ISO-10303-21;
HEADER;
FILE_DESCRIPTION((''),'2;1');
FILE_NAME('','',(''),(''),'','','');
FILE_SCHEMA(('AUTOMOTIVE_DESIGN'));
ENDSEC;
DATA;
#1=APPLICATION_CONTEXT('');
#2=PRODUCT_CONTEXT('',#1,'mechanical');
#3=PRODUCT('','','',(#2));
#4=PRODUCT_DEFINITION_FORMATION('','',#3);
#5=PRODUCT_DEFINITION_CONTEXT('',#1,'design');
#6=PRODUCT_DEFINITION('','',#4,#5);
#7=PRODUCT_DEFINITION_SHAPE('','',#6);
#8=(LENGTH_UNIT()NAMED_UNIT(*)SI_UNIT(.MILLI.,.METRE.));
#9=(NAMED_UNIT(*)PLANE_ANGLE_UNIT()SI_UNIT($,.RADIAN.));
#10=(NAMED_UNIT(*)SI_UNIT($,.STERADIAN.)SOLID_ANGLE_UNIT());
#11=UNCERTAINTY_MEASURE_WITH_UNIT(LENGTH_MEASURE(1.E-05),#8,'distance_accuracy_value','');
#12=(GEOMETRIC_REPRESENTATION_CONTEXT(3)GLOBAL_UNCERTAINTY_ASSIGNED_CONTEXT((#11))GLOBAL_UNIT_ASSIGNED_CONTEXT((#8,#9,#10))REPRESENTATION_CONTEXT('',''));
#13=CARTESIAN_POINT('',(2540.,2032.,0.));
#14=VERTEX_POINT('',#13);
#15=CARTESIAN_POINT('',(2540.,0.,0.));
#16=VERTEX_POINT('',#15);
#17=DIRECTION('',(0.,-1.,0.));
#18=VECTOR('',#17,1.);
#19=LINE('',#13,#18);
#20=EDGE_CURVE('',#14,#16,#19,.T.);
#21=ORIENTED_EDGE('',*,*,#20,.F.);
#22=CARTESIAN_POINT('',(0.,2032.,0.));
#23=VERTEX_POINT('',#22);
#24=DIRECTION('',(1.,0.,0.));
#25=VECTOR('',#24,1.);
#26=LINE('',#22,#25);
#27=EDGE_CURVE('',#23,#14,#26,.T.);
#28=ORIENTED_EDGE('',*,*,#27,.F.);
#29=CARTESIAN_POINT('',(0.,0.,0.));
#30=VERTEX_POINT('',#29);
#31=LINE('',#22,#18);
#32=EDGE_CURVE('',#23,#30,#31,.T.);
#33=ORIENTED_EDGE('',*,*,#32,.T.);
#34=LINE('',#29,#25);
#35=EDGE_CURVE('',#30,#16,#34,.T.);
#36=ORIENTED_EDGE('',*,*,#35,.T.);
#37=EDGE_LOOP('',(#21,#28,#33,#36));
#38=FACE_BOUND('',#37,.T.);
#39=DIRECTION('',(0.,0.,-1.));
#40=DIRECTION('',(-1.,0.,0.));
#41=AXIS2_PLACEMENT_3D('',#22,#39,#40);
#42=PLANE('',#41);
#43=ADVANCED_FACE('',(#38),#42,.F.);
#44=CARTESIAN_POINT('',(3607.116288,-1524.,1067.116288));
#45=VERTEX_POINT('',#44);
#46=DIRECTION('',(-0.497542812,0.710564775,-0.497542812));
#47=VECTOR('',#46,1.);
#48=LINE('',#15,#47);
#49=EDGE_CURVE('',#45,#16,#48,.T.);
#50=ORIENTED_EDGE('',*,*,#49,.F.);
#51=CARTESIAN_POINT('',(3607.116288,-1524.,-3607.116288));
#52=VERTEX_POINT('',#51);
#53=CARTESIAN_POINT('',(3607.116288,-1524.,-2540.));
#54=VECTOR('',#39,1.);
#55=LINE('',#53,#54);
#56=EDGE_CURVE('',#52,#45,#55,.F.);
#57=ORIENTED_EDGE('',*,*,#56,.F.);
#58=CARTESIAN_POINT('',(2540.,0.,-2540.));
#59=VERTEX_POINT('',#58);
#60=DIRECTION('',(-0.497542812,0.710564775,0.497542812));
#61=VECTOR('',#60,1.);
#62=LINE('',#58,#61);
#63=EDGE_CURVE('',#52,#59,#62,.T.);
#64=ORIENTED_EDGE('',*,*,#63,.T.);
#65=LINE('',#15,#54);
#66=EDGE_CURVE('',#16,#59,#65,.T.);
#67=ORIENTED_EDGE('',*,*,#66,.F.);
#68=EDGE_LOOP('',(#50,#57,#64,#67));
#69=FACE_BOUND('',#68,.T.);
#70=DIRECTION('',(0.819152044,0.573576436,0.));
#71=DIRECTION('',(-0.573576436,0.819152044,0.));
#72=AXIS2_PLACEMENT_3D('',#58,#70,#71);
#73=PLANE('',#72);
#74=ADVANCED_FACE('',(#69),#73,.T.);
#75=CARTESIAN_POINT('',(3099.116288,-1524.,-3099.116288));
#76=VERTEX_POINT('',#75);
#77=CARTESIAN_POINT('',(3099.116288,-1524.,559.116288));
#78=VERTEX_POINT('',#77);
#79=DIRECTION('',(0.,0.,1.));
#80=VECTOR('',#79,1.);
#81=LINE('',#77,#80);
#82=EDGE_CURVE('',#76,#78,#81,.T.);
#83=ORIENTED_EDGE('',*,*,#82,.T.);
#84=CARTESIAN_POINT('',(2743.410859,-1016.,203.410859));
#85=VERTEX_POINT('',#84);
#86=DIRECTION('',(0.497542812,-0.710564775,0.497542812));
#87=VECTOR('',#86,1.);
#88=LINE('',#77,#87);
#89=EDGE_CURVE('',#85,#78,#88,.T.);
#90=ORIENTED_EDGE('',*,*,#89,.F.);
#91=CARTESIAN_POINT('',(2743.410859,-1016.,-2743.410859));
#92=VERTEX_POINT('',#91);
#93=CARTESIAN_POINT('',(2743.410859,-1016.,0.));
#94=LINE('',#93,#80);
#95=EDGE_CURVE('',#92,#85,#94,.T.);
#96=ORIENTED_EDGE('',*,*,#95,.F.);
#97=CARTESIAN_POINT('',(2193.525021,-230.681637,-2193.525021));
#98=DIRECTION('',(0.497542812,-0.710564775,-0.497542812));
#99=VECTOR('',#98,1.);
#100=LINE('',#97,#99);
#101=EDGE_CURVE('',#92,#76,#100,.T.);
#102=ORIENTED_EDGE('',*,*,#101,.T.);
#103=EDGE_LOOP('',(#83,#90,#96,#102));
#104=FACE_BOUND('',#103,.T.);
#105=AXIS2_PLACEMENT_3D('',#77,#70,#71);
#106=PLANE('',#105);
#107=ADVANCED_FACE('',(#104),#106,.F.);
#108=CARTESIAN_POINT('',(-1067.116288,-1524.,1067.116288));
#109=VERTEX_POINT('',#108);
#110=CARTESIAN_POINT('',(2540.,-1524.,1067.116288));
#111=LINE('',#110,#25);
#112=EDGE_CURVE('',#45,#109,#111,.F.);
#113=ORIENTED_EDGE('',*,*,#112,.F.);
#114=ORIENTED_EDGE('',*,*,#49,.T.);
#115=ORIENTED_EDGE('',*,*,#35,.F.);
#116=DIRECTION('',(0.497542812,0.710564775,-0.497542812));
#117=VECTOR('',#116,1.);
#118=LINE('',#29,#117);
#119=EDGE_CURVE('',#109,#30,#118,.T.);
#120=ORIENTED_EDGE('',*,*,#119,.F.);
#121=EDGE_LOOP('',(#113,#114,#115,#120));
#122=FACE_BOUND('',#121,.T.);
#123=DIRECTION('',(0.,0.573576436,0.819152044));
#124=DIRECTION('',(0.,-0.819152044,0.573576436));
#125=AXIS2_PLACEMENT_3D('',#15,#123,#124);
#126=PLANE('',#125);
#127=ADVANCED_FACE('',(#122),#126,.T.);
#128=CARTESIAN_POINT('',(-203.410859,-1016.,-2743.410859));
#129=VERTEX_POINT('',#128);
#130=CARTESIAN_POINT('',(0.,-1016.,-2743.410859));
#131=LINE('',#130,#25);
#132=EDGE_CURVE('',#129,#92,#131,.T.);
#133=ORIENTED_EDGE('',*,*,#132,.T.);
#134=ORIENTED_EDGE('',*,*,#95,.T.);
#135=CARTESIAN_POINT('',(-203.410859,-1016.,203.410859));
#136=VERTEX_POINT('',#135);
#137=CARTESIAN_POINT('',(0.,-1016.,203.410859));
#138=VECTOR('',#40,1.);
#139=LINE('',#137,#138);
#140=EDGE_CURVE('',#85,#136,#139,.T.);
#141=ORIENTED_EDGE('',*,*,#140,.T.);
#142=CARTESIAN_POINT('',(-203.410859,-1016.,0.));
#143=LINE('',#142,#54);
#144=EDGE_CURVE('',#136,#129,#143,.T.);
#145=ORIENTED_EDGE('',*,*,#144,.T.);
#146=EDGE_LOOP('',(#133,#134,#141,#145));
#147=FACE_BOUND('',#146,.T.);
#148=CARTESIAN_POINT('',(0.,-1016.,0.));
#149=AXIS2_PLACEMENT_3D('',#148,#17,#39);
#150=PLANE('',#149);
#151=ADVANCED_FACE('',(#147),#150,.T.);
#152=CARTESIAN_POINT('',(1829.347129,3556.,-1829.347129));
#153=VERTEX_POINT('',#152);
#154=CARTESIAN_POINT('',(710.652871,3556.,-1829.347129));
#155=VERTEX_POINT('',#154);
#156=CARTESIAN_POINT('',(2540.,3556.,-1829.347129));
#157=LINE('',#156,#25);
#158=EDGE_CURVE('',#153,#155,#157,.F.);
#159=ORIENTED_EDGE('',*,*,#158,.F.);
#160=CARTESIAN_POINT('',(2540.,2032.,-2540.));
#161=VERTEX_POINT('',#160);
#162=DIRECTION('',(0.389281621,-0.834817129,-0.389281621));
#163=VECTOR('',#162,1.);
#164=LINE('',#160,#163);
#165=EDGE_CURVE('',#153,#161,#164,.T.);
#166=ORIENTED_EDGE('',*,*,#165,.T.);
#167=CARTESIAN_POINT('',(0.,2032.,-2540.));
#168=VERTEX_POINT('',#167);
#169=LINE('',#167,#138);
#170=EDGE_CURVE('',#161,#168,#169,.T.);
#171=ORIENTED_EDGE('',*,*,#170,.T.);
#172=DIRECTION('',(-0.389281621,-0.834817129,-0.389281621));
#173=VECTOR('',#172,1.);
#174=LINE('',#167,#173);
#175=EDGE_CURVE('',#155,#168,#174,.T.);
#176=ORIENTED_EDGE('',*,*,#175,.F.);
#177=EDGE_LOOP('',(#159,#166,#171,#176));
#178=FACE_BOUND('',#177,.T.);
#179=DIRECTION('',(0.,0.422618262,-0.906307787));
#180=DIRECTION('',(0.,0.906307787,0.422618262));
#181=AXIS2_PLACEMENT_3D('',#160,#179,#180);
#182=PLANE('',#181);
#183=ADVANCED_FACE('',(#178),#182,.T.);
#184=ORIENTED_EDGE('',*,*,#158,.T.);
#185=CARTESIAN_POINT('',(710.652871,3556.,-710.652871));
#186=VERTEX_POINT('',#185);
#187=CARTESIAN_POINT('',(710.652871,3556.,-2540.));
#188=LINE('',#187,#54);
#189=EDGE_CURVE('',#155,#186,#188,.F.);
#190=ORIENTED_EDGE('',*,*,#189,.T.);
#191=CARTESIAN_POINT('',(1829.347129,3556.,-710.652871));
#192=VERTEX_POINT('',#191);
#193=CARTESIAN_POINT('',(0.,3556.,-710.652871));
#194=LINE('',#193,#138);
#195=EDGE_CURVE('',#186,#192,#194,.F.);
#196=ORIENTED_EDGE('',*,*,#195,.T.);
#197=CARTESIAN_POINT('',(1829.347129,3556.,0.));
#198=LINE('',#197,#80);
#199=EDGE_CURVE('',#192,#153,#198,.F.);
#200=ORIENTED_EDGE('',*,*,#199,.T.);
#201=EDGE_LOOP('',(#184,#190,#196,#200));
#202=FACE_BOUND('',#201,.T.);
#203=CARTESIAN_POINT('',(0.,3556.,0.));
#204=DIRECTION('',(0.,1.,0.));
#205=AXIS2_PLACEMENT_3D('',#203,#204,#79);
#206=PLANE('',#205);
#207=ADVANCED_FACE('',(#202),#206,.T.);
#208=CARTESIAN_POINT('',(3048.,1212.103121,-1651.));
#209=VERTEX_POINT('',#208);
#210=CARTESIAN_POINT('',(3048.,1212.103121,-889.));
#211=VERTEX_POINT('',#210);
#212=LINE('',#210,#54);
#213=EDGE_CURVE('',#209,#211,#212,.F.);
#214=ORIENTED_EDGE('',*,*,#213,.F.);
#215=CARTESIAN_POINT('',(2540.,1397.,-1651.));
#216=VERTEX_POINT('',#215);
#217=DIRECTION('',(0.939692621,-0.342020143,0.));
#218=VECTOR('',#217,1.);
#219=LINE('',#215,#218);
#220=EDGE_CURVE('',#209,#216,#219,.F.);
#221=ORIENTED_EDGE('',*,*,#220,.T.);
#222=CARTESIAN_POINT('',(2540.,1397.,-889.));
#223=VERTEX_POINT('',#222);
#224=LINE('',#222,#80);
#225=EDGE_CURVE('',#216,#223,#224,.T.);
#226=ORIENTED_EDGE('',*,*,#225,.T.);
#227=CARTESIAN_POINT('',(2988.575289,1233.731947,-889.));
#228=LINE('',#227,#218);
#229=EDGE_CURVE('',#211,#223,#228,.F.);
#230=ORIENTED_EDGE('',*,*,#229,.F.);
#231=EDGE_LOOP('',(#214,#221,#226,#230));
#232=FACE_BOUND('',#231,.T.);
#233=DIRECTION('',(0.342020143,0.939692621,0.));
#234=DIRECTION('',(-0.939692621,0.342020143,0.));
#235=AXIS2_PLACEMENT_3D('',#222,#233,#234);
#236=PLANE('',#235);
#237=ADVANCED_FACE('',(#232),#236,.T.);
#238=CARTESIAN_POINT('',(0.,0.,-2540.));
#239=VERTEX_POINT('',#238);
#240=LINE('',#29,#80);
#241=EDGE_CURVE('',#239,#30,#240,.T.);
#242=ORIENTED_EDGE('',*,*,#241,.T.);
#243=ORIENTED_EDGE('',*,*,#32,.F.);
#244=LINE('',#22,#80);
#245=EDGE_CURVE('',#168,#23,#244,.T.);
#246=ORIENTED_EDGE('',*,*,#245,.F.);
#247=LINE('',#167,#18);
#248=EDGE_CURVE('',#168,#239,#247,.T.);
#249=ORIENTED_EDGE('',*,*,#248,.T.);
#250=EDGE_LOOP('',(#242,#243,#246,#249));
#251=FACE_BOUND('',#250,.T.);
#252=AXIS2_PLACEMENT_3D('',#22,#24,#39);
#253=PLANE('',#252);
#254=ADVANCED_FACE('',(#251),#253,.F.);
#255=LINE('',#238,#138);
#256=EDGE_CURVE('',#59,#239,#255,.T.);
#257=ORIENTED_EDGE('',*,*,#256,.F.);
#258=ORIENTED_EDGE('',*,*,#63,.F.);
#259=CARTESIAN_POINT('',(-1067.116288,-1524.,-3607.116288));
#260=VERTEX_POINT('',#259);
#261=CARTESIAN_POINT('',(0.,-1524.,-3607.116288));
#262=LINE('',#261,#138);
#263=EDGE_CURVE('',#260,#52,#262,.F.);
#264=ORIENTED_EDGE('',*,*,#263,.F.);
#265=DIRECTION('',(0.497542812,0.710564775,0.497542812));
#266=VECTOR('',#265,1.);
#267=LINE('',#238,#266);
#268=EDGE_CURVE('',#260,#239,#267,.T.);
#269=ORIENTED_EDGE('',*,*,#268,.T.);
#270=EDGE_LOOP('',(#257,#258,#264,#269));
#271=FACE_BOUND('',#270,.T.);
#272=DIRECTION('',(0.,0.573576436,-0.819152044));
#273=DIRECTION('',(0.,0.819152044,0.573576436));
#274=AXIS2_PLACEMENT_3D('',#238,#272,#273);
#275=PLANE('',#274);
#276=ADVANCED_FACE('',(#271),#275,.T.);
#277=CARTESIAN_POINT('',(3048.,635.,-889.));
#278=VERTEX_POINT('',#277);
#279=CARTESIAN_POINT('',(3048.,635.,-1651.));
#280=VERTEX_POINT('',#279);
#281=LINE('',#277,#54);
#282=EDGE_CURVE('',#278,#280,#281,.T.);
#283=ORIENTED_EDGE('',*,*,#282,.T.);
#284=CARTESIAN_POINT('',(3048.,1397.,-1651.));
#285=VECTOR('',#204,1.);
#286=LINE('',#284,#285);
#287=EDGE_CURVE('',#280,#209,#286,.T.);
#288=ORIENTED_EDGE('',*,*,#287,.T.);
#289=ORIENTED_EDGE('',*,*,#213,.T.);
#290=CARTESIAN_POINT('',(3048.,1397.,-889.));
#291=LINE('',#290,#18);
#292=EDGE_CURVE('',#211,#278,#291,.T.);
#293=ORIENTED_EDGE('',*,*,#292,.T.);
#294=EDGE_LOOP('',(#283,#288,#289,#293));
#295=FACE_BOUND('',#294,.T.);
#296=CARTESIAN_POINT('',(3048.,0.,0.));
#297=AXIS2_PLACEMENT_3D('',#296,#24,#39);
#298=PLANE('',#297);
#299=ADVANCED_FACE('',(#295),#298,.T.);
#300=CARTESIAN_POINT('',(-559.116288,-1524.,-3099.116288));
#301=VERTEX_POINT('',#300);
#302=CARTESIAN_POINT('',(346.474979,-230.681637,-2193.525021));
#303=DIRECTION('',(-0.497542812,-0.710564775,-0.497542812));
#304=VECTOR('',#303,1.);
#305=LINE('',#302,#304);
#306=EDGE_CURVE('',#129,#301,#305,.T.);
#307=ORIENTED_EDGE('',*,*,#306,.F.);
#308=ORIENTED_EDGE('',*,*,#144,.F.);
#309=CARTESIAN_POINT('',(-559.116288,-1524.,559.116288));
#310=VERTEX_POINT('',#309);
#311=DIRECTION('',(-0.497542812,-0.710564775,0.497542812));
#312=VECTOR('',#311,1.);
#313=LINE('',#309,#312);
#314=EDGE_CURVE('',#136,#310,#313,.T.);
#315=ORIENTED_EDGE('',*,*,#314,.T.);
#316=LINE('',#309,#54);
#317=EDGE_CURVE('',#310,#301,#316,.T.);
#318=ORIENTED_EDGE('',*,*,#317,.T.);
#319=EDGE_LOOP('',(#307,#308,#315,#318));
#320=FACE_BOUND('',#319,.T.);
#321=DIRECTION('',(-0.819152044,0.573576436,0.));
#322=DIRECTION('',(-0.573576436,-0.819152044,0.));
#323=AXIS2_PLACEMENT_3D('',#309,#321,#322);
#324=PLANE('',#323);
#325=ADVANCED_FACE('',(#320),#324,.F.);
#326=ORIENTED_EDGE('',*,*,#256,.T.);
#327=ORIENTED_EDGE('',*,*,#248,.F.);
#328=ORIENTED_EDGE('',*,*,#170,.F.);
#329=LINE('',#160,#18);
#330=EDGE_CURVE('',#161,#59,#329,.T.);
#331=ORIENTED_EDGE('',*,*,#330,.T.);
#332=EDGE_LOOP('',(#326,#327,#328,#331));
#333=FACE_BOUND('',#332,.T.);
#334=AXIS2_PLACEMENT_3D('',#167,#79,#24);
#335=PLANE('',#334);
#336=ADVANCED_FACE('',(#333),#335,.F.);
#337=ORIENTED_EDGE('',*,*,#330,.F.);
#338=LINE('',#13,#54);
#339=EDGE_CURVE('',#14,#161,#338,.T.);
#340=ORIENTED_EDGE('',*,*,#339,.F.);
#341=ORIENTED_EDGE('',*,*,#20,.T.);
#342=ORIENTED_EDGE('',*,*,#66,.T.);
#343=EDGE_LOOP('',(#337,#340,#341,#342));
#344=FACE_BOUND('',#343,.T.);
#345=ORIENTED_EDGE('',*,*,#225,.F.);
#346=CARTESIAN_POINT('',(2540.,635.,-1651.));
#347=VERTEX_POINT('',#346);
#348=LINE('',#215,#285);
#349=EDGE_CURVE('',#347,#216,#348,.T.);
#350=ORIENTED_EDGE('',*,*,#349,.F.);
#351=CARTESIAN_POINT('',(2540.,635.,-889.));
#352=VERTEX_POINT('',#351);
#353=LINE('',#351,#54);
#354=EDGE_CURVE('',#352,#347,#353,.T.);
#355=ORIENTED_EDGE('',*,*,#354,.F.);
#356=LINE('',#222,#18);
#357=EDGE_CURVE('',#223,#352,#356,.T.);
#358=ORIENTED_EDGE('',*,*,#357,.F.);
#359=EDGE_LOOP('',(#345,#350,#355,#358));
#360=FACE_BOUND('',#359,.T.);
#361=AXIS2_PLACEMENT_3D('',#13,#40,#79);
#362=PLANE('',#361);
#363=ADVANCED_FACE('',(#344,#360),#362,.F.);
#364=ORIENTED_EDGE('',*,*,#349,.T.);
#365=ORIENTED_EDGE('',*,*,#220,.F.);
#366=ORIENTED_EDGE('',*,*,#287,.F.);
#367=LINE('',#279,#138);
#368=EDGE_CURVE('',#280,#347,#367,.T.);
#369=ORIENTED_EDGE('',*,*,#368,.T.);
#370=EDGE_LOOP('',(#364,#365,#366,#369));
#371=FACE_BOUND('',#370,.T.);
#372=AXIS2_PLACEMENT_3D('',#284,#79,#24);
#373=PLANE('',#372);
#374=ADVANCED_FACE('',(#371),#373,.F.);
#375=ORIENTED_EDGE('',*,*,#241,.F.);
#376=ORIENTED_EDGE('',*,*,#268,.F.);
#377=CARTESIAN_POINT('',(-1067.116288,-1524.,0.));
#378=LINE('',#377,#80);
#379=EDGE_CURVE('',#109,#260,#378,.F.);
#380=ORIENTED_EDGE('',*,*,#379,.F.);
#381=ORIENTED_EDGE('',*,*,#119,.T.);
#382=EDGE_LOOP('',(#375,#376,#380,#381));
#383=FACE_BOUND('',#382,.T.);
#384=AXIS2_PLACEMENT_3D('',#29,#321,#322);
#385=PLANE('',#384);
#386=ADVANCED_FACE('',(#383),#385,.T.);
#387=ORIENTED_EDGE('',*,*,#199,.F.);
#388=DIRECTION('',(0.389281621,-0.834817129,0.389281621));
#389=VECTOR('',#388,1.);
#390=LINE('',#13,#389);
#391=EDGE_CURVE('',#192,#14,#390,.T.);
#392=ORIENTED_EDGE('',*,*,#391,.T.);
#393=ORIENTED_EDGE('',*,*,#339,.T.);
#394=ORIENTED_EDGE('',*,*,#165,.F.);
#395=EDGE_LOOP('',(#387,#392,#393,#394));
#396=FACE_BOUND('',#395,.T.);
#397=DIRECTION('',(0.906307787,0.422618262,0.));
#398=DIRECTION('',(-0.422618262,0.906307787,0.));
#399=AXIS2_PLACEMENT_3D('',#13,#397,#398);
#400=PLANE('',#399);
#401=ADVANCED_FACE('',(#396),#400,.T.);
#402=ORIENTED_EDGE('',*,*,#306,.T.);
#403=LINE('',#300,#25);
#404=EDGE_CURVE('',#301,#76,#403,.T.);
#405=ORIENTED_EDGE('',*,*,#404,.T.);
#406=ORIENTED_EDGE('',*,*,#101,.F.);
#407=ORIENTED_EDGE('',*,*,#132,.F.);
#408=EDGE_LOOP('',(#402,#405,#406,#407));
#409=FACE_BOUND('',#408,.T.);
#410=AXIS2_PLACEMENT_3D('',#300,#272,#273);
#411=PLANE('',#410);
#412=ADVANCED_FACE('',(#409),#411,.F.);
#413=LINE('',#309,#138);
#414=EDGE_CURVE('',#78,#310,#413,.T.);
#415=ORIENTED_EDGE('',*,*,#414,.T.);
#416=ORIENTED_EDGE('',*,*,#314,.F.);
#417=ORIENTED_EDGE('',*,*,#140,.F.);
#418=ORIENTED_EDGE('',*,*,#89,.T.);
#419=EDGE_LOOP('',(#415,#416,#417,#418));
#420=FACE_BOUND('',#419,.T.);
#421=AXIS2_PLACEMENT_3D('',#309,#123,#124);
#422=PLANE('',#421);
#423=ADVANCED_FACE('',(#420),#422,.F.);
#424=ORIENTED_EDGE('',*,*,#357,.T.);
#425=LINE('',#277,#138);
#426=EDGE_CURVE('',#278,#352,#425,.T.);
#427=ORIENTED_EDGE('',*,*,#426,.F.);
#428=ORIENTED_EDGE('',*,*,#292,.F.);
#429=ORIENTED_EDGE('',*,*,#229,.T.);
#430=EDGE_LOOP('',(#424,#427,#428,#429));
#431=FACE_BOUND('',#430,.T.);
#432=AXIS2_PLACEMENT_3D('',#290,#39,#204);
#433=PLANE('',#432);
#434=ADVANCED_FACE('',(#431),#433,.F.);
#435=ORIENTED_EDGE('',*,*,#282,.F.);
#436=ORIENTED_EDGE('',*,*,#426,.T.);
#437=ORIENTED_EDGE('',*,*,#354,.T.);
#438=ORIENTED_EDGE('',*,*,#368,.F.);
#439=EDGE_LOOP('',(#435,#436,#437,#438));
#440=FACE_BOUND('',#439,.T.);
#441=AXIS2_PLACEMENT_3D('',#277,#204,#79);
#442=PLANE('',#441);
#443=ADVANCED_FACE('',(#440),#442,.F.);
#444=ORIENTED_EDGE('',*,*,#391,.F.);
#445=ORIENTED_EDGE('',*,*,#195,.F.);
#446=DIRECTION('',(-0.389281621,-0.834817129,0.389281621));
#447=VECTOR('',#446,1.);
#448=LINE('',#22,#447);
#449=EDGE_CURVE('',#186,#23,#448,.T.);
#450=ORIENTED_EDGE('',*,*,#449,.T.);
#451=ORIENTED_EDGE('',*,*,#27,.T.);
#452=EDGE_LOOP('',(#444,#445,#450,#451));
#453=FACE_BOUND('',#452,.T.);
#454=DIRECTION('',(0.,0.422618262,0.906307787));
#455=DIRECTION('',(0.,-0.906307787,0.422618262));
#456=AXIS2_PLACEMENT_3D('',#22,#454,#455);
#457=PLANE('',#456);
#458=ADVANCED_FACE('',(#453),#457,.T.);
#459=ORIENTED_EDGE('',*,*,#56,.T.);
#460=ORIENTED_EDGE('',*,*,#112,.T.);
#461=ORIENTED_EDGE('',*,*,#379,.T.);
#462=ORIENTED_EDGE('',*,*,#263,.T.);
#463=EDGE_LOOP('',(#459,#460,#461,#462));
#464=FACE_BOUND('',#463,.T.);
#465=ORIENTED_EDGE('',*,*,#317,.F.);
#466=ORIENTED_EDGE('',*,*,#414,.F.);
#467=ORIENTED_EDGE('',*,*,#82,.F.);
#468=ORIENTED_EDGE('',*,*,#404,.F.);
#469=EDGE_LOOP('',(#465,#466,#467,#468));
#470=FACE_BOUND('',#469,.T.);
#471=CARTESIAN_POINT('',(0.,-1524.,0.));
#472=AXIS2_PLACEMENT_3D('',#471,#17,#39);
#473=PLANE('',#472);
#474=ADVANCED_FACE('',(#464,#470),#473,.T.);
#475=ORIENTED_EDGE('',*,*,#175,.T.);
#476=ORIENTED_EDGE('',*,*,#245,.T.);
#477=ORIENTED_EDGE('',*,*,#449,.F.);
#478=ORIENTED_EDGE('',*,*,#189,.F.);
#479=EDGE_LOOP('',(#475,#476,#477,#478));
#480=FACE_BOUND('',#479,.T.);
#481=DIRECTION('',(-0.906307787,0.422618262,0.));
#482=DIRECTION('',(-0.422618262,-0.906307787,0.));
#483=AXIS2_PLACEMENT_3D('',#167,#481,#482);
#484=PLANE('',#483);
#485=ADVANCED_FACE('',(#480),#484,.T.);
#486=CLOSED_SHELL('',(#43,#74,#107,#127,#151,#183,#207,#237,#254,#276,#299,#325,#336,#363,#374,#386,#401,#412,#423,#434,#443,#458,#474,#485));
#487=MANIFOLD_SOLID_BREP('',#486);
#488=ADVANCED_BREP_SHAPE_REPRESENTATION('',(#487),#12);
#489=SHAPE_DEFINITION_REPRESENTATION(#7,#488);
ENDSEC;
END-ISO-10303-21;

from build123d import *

# Parameters (mm, degrees)
SKETCH1_W           = 2540
SKETCH1_H           = 2540
BOSS_EXTRUDE1_DEPTH = 2032
SKETCH3_W           = 2540
SKETCH3_H           = 2540
BOSS_EXTRUDE2_DEPTH = 1524
BOSS_EXTRUDE2_TAPER = 25
SKETCH6_W           = 2540
SKETCH6_H           = 2540
BOSS_EXTRUDE3_DEPTH = 1524
BOSS_EXTRUDE3_TAPER = -35
SKETCH7_W           = 3658.232576464
SKETCH7_H           = 3658.232576464
CUT_EXTRUDE1_DEPTH  = 508
CUT_EXTRUDE1_TAPER  = 35
SKETCH8_W           = 762
SKETCH8_H           = 762
BOSS_EXTRUDE4_DEPTH = 508
DRAFT1_ANGLE        = 20


with BuildPart() as part:
    # Sketch1 → Boss-Extrude1 (new body)
    with BuildSketch(Plane(origin=(0, 0, 0), x_dir=(1, 0, 0), z_dir=(0, 1, 0))):
        with Locations((1270, 1270)):
            Rectangle(SKETCH1_W, SKETCH1_H)
    extrude(amount=BOSS_EXTRUDE1_DEPTH)

    # Sketch3 → Boss-Extrude2 (add)
    with BuildSketch(Plane(origin=(0, 2032, 0), x_dir=(1, 0, 0), z_dir=(0, 1, 0))):
        with Locations((1270, 1270)):
            Rectangle(SKETCH3_W, SKETCH3_H)
    extrude(amount=BOSS_EXTRUDE2_DEPTH, taper=BOSS_EXTRUDE2_TAPER)

    # Sketch6 → Boss-Extrude3 (add)
    with BuildSketch(Plane.XZ):
        with Locations((1270, -1270)):
            Rectangle(SKETCH6_W, SKETCH6_H)
    extrude(amount=BOSS_EXTRUDE3_DEPTH, taper=BOSS_EXTRUDE3_TAPER)

    # Sketch7 → Cut-Extrude1 (cut)
    with BuildSketch(Plane.XZ.offset(1524)):
        with Locations((1270, -1270)):
            Rectangle(SKETCH7_W, SKETCH7_H)
    extrude(amount=-CUT_EXTRUDE1_DEPTH, taper=CUT_EXTRUDE1_TAPER, mode=Mode.SUBTRACT)

    # Sketch8 → Boss-Extrude4 (add)
    with BuildSketch(Plane(origin=(2540, 0, 0), x_dir=(0, 0, -1), z_dir=(1, 0, 0))):
        with Locations((1270, 1016)):
            Rectangle(SKETCH8_W, SKETCH8_H)
    extrude(amount=BOSS_EXTRUDE4_DEPTH)

    # Draft1
    draft1_faces = [part.faces().sort_by_distance(p)[0] for p in [
        (2794, 1397, -1270),
    ]]
    draft(draft1_faces, Plane(origin=(2540, 2032, 0), x_dir=(0, 0, 1), z_dir=(1, 0, 0)), DRAFT1_ANGLE)


solid = part.part
